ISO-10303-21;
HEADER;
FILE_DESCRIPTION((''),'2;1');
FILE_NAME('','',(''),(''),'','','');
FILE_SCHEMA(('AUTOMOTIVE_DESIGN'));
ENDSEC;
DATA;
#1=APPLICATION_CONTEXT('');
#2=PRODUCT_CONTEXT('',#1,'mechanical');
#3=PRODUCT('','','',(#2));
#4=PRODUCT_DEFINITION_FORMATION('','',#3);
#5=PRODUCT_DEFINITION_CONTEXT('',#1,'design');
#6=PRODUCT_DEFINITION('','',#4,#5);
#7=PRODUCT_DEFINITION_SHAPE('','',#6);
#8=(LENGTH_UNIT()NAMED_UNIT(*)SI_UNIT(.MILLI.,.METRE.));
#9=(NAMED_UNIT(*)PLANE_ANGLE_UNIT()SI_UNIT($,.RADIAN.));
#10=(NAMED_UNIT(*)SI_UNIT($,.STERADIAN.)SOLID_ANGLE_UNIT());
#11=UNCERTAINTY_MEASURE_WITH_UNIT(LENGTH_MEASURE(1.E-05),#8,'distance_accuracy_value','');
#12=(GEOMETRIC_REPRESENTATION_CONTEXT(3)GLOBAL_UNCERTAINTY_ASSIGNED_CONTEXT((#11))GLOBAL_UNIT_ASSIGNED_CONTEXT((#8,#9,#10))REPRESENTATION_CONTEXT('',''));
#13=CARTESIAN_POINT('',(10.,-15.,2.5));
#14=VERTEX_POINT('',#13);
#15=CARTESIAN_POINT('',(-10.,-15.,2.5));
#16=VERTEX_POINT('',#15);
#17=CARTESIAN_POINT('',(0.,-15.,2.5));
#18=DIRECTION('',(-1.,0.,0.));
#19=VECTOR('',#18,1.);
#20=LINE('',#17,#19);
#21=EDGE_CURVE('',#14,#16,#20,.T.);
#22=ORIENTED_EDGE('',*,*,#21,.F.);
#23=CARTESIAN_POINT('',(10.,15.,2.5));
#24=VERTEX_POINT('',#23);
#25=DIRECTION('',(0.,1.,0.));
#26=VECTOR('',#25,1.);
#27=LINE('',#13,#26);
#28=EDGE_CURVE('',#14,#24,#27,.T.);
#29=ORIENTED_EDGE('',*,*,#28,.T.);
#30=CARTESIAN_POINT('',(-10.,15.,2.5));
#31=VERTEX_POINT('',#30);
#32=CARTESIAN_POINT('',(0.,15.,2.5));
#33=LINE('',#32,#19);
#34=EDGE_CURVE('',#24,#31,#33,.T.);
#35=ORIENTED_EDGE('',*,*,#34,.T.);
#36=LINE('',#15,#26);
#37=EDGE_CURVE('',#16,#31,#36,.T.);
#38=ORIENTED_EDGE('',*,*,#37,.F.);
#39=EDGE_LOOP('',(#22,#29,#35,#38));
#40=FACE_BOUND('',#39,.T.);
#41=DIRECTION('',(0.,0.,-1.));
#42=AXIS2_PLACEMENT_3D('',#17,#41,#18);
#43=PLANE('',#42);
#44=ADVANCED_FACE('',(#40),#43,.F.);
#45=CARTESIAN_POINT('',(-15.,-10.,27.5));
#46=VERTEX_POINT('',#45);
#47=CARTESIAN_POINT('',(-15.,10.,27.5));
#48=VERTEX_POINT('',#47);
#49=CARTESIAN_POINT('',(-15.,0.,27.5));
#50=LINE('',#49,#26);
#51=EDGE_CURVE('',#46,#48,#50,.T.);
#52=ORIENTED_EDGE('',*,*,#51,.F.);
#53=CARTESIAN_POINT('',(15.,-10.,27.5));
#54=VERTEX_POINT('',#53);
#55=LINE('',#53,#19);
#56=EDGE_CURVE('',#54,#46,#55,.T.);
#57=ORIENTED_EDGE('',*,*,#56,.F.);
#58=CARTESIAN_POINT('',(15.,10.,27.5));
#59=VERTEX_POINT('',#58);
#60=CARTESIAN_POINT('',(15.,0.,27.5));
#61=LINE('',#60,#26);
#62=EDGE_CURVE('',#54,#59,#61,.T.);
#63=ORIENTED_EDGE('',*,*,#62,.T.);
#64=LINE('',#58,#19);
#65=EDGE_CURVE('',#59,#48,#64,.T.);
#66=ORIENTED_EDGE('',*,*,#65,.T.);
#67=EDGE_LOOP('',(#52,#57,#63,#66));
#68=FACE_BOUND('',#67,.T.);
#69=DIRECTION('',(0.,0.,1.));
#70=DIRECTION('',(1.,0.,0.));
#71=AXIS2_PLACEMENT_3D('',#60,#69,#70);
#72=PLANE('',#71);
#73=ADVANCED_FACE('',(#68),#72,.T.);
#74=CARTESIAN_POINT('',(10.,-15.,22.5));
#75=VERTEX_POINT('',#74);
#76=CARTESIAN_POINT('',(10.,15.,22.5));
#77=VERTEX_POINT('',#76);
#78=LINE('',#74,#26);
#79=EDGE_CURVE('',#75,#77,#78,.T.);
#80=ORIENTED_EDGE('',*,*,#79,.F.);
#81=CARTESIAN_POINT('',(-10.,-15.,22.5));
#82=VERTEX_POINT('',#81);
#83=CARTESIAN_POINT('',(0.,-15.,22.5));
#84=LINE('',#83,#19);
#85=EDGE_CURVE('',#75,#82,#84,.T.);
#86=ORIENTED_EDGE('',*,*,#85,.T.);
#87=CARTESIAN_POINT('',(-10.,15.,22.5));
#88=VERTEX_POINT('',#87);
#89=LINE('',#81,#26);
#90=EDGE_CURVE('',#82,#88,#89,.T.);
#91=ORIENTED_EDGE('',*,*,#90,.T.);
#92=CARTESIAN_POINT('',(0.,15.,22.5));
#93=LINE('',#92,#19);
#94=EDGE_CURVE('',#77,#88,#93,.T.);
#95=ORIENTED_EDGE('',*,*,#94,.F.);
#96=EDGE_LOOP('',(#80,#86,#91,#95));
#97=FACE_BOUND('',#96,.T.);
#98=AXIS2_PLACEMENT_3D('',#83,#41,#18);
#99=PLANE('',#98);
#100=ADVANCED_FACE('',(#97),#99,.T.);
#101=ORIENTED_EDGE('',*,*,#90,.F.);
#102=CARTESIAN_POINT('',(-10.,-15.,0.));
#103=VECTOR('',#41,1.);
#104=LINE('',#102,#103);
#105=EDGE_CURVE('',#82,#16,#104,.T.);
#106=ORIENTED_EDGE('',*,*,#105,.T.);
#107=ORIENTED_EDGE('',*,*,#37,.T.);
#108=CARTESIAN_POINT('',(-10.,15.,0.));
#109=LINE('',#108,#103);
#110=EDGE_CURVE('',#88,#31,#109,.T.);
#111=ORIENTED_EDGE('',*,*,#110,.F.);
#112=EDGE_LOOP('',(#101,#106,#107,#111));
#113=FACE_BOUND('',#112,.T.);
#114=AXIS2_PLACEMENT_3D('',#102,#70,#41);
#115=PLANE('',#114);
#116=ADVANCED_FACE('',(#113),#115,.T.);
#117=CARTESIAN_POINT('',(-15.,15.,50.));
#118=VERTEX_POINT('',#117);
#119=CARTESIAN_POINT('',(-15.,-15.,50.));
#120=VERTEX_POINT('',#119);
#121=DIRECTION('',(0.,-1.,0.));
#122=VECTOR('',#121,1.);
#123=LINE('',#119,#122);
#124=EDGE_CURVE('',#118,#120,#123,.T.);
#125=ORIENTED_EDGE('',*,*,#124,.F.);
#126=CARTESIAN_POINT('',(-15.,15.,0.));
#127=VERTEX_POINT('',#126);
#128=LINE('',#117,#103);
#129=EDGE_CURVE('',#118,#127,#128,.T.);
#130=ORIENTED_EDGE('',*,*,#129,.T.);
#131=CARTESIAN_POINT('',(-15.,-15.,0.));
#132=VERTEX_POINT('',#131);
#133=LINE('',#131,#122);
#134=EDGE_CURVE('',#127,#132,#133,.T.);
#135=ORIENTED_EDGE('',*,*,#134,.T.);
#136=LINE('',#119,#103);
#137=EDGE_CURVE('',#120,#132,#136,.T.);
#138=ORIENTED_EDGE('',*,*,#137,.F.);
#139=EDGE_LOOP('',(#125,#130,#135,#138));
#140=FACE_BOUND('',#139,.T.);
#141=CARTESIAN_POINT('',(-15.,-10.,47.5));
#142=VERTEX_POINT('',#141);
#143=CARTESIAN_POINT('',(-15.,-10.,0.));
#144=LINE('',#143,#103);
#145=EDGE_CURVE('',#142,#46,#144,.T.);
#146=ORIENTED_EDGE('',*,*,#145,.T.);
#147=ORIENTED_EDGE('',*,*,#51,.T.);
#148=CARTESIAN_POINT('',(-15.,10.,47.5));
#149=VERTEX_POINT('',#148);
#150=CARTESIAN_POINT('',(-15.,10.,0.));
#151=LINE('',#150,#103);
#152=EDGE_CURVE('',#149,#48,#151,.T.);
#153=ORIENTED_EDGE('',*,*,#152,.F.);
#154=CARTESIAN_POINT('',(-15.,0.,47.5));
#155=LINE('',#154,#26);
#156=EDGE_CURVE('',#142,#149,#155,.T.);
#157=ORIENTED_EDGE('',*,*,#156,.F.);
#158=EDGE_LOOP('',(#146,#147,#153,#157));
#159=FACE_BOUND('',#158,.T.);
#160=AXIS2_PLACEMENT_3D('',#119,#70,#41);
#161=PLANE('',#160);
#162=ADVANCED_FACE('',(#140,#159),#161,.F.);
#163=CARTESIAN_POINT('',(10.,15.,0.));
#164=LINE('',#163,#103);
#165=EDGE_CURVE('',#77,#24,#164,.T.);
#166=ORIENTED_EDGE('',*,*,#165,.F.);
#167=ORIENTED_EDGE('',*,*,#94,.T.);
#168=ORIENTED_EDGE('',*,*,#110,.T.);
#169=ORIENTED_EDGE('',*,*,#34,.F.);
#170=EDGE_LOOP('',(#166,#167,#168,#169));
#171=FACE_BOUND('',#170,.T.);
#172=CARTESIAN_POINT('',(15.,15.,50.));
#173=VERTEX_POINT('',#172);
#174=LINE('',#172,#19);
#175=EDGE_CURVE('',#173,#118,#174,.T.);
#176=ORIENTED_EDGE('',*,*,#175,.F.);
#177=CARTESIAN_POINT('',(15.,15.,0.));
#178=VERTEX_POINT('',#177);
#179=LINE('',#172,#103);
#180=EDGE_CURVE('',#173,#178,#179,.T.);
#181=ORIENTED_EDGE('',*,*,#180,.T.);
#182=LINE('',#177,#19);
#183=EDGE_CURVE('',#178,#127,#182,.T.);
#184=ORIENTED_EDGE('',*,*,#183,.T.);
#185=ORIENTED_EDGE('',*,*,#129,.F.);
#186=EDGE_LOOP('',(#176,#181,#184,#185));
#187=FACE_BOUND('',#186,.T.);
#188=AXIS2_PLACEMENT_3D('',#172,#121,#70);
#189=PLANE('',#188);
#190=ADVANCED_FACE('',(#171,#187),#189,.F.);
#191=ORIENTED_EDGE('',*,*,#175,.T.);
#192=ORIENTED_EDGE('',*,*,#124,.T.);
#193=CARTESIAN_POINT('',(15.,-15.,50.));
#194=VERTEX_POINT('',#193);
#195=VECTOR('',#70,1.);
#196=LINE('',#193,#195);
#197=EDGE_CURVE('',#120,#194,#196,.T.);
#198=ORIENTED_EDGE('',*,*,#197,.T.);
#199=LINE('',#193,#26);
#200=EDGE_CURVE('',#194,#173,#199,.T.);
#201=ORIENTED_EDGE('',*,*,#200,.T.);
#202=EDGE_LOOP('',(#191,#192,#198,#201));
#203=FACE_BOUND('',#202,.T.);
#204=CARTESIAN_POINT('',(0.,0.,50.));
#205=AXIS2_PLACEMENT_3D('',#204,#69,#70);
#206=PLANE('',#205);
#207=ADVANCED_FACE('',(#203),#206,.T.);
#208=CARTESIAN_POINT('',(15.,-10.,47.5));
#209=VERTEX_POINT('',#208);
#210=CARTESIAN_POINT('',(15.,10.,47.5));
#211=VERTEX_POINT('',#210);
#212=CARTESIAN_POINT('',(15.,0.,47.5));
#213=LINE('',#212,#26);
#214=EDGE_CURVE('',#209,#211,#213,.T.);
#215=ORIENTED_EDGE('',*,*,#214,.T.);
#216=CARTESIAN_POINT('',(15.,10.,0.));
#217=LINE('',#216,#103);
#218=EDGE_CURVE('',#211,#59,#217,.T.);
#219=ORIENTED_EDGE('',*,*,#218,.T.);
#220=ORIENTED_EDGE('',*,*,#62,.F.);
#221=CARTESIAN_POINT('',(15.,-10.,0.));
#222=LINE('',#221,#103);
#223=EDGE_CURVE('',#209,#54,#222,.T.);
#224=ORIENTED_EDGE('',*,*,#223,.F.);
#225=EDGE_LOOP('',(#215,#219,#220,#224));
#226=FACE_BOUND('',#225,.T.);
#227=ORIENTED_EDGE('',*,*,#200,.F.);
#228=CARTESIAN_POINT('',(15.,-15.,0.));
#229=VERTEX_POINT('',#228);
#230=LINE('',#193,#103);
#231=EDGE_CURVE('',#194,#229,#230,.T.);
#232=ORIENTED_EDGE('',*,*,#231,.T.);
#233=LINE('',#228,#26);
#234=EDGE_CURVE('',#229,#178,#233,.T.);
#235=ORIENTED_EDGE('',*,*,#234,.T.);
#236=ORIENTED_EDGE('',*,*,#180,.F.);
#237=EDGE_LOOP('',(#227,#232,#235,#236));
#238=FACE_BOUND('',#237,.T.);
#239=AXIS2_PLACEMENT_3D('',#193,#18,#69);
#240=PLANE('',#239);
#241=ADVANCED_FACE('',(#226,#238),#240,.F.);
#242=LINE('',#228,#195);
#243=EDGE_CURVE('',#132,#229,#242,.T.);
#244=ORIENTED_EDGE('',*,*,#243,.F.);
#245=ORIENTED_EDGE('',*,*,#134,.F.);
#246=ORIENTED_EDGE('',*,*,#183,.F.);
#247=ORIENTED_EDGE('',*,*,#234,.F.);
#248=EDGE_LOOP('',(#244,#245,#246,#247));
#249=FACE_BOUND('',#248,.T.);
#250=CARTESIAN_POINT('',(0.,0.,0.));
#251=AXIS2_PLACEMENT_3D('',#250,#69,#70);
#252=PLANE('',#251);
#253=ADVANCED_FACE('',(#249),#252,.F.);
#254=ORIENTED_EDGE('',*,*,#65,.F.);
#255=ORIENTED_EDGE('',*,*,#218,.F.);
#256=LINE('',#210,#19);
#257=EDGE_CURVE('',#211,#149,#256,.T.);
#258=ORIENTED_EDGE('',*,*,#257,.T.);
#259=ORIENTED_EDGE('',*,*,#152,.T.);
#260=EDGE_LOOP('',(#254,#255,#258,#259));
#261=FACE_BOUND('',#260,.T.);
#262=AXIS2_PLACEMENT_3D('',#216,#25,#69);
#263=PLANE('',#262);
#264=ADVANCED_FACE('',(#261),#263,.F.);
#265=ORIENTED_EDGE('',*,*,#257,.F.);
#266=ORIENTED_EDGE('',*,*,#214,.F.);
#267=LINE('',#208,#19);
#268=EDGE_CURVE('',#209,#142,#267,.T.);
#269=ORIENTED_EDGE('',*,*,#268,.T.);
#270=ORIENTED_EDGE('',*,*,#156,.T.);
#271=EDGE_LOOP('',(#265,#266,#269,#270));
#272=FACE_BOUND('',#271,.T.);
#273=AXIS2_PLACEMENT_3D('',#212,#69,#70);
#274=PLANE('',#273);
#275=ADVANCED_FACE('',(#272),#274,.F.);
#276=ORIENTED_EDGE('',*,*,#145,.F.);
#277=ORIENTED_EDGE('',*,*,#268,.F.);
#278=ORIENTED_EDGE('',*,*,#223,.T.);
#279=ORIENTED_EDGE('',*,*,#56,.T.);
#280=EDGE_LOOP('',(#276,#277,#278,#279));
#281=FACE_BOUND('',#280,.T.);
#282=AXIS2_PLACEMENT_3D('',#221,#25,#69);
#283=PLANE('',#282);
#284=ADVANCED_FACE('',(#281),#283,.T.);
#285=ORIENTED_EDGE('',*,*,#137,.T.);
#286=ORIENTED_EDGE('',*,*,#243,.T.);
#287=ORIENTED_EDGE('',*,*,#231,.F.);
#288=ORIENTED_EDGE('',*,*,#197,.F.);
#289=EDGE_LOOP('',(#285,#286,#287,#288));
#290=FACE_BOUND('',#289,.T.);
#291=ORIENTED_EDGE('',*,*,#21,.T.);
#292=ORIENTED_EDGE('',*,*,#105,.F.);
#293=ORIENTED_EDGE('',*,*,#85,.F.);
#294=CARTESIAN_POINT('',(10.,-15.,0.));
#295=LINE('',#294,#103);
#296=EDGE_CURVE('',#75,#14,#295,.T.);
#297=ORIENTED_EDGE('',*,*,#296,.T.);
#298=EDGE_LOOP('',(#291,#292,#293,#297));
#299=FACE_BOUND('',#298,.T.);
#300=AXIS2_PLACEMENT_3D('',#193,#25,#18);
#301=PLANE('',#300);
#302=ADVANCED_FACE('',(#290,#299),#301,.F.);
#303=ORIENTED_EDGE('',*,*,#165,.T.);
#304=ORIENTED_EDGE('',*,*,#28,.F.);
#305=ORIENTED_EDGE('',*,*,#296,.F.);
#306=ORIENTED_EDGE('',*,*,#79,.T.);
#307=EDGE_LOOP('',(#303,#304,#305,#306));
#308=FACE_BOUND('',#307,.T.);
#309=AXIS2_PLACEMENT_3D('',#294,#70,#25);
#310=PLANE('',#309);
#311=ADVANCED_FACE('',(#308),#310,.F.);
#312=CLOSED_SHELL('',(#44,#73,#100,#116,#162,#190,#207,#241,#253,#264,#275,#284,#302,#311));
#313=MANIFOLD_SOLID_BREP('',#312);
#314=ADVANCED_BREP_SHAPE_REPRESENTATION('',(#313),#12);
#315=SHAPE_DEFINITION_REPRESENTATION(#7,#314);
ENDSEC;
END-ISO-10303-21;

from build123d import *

# Parameters (mm, degrees)
SKETCH1_W           = 30
SKETCH1_H           = 30
BOSS_EXTRUDE1_DEPTH = 50
SKETCH3_W           = 20
SKETCH3_H           = 20
CUT_EXTRUDE1_DEPTH  = 61.207972894
SKETCH4_W           = 20
SKETCH4_H           = 20
CUT_EXTRUDE2_DEPTH  = 61.207972894


with BuildPart() as part:
    # Sketch1 → Boss-Extrude1 (new body)
    with BuildSketch(Plane.XY):
        Rectangle(SKETCH1_W, SKETCH1_H)
    extrude(amount=BOSS_EXTRUDE1_DEPTH)

    # Sketch3 → Cut-Extrude1 (cut, through all)
    with BuildSketch(Plane.ZY.offset(15)):
        with Locations((37.5, 0)):
            Rectangle(SKETCH3_W, SKETCH3_H)
    extrude(amount=-CUT_EXTRUDE1_DEPTH, mode=Mode.SUBTRACT)

    # Sketch4 → Cut-Extrude2 (cut, through all)
    with BuildSketch(Plane(origin=(0, 15, 0), x_dir=(1, 0, 0), z_dir=(0, 1, 0))):
        with Locations((0, -12.5)):
            Rectangle(SKETCH4_W, SKETCH4_H)
    extrude(amount=-CUT_EXTRUDE2_DEPTH, mode=Mode.SUBTRACT)


solid = part.part
